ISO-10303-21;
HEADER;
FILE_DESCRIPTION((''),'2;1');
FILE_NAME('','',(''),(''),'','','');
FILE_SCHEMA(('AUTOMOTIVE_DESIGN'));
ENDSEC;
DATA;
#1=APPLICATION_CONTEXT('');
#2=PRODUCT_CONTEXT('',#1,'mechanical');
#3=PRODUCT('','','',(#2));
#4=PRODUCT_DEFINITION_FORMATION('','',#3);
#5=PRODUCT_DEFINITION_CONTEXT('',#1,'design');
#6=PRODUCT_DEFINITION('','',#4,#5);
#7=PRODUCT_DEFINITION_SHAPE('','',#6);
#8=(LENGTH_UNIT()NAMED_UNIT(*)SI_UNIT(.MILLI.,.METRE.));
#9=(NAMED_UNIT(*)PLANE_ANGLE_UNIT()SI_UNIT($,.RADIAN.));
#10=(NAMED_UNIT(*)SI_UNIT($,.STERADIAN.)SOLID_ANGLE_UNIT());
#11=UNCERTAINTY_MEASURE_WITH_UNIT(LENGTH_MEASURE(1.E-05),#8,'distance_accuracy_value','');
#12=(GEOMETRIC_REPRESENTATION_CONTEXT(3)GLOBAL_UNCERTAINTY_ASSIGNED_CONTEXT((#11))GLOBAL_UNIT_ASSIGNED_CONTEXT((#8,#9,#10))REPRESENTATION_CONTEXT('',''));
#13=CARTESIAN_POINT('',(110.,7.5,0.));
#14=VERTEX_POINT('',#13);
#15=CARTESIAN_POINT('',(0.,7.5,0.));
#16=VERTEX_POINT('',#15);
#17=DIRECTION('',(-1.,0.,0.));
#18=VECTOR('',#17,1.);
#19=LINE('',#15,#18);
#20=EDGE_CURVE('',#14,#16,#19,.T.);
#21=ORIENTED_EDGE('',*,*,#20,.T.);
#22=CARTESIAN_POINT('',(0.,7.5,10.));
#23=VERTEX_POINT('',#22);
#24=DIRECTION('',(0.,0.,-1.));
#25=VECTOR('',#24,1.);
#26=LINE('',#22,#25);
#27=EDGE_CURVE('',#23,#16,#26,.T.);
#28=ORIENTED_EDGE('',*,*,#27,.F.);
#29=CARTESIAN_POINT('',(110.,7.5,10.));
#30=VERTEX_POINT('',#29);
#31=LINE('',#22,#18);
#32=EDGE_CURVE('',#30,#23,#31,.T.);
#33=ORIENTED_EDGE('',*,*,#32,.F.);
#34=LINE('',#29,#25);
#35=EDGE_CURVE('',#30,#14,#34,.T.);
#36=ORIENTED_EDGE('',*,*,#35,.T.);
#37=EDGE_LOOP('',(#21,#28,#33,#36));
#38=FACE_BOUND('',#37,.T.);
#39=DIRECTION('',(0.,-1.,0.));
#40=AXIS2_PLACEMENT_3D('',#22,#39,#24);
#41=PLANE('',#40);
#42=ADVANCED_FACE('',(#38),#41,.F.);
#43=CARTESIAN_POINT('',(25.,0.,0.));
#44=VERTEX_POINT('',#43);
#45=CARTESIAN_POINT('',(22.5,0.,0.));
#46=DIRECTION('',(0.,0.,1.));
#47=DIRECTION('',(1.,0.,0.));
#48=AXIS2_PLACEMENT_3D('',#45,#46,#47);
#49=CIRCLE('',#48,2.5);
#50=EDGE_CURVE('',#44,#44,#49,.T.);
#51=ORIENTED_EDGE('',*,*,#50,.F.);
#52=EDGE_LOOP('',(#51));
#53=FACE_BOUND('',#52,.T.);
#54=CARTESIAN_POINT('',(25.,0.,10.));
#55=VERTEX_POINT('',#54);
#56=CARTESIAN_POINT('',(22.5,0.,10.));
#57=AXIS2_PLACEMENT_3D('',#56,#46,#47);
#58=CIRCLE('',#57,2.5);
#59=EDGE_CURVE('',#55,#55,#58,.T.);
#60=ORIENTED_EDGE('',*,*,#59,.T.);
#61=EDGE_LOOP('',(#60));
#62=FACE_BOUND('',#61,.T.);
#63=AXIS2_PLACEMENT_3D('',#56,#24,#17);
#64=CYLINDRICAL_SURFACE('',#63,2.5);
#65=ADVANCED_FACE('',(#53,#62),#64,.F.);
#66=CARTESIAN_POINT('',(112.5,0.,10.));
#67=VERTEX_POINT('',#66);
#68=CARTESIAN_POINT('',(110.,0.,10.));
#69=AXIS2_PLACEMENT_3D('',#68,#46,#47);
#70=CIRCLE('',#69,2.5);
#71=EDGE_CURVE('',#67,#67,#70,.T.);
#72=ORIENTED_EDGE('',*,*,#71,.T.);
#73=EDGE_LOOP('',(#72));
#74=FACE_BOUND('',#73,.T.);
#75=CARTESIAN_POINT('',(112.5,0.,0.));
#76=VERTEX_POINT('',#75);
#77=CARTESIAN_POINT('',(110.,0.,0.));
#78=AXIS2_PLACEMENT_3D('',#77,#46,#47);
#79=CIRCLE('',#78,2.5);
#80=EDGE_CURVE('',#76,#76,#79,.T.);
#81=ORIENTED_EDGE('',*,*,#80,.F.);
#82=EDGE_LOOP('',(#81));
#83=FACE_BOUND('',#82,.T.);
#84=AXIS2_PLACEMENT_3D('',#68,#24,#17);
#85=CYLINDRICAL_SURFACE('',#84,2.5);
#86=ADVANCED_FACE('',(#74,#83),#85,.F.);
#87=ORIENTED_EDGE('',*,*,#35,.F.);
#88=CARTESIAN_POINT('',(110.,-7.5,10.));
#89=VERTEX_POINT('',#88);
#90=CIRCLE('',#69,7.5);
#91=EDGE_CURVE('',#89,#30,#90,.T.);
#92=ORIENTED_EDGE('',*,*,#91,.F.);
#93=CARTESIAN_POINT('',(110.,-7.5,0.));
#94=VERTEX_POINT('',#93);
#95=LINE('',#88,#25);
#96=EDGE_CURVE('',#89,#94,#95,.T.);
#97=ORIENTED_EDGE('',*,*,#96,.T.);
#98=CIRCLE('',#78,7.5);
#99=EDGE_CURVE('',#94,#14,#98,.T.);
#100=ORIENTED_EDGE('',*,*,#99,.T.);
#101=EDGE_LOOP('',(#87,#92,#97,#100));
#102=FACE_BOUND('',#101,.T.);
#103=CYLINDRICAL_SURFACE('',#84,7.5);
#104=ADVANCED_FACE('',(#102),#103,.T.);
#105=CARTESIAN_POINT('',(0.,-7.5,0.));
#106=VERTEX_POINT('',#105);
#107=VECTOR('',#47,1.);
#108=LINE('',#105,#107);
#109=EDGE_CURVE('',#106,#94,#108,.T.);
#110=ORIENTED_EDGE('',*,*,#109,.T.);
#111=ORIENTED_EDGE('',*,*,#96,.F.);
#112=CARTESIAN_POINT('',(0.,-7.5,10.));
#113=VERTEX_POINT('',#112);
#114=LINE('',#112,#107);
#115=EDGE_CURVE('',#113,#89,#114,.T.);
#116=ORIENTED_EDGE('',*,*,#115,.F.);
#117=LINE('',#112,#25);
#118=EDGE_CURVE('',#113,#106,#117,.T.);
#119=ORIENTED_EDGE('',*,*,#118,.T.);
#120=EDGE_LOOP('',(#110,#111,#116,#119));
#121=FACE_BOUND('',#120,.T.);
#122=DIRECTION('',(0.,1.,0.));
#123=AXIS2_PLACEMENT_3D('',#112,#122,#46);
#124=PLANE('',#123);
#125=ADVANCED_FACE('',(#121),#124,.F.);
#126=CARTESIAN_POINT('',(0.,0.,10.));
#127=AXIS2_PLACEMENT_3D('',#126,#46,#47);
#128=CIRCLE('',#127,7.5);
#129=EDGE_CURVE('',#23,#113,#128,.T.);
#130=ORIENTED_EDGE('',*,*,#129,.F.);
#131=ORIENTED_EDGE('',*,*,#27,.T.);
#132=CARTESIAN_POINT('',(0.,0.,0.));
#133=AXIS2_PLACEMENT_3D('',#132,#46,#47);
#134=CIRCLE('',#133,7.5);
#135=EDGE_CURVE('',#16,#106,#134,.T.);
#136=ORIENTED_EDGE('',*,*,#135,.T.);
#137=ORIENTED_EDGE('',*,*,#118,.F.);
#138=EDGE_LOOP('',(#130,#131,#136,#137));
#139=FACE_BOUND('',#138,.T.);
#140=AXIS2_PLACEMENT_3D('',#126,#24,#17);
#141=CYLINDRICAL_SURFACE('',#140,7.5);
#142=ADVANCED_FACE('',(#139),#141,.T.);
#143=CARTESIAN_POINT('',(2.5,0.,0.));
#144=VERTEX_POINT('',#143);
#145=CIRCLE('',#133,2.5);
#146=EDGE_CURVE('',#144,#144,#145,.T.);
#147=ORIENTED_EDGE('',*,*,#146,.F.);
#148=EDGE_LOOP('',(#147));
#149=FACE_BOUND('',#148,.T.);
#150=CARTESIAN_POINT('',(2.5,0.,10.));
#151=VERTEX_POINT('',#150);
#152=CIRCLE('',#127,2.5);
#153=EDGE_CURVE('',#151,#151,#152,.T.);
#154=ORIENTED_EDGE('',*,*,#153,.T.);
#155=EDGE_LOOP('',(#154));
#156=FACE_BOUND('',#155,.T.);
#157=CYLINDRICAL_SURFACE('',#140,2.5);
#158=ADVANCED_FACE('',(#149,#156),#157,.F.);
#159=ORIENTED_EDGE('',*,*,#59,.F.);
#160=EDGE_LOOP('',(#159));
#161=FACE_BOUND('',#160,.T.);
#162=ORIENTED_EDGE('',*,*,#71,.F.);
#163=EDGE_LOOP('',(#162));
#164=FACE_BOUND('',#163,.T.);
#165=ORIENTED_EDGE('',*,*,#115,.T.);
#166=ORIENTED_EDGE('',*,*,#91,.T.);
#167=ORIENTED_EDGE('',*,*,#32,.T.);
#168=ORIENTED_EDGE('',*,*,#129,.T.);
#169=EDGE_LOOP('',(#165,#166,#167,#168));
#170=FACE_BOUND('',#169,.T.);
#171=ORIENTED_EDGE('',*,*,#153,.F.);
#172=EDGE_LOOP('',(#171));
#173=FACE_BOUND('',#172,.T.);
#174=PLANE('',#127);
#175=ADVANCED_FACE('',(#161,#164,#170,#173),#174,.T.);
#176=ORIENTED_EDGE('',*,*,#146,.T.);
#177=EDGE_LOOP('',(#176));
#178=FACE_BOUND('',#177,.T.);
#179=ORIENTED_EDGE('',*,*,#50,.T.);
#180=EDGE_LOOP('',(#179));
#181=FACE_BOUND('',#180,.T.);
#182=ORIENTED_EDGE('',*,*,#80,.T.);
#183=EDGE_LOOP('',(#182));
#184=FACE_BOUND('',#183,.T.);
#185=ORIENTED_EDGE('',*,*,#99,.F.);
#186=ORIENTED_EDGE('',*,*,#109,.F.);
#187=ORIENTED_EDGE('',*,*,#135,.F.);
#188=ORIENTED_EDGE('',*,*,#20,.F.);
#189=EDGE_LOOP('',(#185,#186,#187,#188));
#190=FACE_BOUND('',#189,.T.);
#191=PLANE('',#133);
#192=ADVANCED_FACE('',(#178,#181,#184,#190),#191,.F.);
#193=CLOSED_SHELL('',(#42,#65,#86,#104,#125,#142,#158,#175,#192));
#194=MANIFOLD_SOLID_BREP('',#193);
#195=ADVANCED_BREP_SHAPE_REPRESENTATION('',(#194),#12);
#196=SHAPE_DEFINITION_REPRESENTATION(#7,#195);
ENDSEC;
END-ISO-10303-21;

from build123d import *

# Parameters (mm, degrees)
SKETCH1_R           = 2.5
BOSS_EXTRUDE1_DEPTH = 10


with BuildPart() as part:
    # Sketch1 → Boss-Extrude1 (new body)
    with BuildSketch(Plane.XY):
        with BuildLine():
            Line((0, -7.5), (110, -7.5))
            ThreePointArc((110, -7.5), (117.5, 0), (110, 7.5))
            Line((110, 7.5), (0, 7.5))
            ThreePointArc((0, 7.5), (-7.5, 0), (0, -7.5))
        make_face()
        Circle(SKETCH1_R, mode=Mode.SUBTRACT)
        with Locations((22.5, 0)):
            Circle(SKETCH1_R, mode=Mode.SUBTRACT)
        with Locations((110, 0)):
            Circle(SKETCH1_R, mode=Mode.SUBTRACT)
    extrude(amount=BOSS_EXTRUDE1_DEPTH)


solid = part.part
